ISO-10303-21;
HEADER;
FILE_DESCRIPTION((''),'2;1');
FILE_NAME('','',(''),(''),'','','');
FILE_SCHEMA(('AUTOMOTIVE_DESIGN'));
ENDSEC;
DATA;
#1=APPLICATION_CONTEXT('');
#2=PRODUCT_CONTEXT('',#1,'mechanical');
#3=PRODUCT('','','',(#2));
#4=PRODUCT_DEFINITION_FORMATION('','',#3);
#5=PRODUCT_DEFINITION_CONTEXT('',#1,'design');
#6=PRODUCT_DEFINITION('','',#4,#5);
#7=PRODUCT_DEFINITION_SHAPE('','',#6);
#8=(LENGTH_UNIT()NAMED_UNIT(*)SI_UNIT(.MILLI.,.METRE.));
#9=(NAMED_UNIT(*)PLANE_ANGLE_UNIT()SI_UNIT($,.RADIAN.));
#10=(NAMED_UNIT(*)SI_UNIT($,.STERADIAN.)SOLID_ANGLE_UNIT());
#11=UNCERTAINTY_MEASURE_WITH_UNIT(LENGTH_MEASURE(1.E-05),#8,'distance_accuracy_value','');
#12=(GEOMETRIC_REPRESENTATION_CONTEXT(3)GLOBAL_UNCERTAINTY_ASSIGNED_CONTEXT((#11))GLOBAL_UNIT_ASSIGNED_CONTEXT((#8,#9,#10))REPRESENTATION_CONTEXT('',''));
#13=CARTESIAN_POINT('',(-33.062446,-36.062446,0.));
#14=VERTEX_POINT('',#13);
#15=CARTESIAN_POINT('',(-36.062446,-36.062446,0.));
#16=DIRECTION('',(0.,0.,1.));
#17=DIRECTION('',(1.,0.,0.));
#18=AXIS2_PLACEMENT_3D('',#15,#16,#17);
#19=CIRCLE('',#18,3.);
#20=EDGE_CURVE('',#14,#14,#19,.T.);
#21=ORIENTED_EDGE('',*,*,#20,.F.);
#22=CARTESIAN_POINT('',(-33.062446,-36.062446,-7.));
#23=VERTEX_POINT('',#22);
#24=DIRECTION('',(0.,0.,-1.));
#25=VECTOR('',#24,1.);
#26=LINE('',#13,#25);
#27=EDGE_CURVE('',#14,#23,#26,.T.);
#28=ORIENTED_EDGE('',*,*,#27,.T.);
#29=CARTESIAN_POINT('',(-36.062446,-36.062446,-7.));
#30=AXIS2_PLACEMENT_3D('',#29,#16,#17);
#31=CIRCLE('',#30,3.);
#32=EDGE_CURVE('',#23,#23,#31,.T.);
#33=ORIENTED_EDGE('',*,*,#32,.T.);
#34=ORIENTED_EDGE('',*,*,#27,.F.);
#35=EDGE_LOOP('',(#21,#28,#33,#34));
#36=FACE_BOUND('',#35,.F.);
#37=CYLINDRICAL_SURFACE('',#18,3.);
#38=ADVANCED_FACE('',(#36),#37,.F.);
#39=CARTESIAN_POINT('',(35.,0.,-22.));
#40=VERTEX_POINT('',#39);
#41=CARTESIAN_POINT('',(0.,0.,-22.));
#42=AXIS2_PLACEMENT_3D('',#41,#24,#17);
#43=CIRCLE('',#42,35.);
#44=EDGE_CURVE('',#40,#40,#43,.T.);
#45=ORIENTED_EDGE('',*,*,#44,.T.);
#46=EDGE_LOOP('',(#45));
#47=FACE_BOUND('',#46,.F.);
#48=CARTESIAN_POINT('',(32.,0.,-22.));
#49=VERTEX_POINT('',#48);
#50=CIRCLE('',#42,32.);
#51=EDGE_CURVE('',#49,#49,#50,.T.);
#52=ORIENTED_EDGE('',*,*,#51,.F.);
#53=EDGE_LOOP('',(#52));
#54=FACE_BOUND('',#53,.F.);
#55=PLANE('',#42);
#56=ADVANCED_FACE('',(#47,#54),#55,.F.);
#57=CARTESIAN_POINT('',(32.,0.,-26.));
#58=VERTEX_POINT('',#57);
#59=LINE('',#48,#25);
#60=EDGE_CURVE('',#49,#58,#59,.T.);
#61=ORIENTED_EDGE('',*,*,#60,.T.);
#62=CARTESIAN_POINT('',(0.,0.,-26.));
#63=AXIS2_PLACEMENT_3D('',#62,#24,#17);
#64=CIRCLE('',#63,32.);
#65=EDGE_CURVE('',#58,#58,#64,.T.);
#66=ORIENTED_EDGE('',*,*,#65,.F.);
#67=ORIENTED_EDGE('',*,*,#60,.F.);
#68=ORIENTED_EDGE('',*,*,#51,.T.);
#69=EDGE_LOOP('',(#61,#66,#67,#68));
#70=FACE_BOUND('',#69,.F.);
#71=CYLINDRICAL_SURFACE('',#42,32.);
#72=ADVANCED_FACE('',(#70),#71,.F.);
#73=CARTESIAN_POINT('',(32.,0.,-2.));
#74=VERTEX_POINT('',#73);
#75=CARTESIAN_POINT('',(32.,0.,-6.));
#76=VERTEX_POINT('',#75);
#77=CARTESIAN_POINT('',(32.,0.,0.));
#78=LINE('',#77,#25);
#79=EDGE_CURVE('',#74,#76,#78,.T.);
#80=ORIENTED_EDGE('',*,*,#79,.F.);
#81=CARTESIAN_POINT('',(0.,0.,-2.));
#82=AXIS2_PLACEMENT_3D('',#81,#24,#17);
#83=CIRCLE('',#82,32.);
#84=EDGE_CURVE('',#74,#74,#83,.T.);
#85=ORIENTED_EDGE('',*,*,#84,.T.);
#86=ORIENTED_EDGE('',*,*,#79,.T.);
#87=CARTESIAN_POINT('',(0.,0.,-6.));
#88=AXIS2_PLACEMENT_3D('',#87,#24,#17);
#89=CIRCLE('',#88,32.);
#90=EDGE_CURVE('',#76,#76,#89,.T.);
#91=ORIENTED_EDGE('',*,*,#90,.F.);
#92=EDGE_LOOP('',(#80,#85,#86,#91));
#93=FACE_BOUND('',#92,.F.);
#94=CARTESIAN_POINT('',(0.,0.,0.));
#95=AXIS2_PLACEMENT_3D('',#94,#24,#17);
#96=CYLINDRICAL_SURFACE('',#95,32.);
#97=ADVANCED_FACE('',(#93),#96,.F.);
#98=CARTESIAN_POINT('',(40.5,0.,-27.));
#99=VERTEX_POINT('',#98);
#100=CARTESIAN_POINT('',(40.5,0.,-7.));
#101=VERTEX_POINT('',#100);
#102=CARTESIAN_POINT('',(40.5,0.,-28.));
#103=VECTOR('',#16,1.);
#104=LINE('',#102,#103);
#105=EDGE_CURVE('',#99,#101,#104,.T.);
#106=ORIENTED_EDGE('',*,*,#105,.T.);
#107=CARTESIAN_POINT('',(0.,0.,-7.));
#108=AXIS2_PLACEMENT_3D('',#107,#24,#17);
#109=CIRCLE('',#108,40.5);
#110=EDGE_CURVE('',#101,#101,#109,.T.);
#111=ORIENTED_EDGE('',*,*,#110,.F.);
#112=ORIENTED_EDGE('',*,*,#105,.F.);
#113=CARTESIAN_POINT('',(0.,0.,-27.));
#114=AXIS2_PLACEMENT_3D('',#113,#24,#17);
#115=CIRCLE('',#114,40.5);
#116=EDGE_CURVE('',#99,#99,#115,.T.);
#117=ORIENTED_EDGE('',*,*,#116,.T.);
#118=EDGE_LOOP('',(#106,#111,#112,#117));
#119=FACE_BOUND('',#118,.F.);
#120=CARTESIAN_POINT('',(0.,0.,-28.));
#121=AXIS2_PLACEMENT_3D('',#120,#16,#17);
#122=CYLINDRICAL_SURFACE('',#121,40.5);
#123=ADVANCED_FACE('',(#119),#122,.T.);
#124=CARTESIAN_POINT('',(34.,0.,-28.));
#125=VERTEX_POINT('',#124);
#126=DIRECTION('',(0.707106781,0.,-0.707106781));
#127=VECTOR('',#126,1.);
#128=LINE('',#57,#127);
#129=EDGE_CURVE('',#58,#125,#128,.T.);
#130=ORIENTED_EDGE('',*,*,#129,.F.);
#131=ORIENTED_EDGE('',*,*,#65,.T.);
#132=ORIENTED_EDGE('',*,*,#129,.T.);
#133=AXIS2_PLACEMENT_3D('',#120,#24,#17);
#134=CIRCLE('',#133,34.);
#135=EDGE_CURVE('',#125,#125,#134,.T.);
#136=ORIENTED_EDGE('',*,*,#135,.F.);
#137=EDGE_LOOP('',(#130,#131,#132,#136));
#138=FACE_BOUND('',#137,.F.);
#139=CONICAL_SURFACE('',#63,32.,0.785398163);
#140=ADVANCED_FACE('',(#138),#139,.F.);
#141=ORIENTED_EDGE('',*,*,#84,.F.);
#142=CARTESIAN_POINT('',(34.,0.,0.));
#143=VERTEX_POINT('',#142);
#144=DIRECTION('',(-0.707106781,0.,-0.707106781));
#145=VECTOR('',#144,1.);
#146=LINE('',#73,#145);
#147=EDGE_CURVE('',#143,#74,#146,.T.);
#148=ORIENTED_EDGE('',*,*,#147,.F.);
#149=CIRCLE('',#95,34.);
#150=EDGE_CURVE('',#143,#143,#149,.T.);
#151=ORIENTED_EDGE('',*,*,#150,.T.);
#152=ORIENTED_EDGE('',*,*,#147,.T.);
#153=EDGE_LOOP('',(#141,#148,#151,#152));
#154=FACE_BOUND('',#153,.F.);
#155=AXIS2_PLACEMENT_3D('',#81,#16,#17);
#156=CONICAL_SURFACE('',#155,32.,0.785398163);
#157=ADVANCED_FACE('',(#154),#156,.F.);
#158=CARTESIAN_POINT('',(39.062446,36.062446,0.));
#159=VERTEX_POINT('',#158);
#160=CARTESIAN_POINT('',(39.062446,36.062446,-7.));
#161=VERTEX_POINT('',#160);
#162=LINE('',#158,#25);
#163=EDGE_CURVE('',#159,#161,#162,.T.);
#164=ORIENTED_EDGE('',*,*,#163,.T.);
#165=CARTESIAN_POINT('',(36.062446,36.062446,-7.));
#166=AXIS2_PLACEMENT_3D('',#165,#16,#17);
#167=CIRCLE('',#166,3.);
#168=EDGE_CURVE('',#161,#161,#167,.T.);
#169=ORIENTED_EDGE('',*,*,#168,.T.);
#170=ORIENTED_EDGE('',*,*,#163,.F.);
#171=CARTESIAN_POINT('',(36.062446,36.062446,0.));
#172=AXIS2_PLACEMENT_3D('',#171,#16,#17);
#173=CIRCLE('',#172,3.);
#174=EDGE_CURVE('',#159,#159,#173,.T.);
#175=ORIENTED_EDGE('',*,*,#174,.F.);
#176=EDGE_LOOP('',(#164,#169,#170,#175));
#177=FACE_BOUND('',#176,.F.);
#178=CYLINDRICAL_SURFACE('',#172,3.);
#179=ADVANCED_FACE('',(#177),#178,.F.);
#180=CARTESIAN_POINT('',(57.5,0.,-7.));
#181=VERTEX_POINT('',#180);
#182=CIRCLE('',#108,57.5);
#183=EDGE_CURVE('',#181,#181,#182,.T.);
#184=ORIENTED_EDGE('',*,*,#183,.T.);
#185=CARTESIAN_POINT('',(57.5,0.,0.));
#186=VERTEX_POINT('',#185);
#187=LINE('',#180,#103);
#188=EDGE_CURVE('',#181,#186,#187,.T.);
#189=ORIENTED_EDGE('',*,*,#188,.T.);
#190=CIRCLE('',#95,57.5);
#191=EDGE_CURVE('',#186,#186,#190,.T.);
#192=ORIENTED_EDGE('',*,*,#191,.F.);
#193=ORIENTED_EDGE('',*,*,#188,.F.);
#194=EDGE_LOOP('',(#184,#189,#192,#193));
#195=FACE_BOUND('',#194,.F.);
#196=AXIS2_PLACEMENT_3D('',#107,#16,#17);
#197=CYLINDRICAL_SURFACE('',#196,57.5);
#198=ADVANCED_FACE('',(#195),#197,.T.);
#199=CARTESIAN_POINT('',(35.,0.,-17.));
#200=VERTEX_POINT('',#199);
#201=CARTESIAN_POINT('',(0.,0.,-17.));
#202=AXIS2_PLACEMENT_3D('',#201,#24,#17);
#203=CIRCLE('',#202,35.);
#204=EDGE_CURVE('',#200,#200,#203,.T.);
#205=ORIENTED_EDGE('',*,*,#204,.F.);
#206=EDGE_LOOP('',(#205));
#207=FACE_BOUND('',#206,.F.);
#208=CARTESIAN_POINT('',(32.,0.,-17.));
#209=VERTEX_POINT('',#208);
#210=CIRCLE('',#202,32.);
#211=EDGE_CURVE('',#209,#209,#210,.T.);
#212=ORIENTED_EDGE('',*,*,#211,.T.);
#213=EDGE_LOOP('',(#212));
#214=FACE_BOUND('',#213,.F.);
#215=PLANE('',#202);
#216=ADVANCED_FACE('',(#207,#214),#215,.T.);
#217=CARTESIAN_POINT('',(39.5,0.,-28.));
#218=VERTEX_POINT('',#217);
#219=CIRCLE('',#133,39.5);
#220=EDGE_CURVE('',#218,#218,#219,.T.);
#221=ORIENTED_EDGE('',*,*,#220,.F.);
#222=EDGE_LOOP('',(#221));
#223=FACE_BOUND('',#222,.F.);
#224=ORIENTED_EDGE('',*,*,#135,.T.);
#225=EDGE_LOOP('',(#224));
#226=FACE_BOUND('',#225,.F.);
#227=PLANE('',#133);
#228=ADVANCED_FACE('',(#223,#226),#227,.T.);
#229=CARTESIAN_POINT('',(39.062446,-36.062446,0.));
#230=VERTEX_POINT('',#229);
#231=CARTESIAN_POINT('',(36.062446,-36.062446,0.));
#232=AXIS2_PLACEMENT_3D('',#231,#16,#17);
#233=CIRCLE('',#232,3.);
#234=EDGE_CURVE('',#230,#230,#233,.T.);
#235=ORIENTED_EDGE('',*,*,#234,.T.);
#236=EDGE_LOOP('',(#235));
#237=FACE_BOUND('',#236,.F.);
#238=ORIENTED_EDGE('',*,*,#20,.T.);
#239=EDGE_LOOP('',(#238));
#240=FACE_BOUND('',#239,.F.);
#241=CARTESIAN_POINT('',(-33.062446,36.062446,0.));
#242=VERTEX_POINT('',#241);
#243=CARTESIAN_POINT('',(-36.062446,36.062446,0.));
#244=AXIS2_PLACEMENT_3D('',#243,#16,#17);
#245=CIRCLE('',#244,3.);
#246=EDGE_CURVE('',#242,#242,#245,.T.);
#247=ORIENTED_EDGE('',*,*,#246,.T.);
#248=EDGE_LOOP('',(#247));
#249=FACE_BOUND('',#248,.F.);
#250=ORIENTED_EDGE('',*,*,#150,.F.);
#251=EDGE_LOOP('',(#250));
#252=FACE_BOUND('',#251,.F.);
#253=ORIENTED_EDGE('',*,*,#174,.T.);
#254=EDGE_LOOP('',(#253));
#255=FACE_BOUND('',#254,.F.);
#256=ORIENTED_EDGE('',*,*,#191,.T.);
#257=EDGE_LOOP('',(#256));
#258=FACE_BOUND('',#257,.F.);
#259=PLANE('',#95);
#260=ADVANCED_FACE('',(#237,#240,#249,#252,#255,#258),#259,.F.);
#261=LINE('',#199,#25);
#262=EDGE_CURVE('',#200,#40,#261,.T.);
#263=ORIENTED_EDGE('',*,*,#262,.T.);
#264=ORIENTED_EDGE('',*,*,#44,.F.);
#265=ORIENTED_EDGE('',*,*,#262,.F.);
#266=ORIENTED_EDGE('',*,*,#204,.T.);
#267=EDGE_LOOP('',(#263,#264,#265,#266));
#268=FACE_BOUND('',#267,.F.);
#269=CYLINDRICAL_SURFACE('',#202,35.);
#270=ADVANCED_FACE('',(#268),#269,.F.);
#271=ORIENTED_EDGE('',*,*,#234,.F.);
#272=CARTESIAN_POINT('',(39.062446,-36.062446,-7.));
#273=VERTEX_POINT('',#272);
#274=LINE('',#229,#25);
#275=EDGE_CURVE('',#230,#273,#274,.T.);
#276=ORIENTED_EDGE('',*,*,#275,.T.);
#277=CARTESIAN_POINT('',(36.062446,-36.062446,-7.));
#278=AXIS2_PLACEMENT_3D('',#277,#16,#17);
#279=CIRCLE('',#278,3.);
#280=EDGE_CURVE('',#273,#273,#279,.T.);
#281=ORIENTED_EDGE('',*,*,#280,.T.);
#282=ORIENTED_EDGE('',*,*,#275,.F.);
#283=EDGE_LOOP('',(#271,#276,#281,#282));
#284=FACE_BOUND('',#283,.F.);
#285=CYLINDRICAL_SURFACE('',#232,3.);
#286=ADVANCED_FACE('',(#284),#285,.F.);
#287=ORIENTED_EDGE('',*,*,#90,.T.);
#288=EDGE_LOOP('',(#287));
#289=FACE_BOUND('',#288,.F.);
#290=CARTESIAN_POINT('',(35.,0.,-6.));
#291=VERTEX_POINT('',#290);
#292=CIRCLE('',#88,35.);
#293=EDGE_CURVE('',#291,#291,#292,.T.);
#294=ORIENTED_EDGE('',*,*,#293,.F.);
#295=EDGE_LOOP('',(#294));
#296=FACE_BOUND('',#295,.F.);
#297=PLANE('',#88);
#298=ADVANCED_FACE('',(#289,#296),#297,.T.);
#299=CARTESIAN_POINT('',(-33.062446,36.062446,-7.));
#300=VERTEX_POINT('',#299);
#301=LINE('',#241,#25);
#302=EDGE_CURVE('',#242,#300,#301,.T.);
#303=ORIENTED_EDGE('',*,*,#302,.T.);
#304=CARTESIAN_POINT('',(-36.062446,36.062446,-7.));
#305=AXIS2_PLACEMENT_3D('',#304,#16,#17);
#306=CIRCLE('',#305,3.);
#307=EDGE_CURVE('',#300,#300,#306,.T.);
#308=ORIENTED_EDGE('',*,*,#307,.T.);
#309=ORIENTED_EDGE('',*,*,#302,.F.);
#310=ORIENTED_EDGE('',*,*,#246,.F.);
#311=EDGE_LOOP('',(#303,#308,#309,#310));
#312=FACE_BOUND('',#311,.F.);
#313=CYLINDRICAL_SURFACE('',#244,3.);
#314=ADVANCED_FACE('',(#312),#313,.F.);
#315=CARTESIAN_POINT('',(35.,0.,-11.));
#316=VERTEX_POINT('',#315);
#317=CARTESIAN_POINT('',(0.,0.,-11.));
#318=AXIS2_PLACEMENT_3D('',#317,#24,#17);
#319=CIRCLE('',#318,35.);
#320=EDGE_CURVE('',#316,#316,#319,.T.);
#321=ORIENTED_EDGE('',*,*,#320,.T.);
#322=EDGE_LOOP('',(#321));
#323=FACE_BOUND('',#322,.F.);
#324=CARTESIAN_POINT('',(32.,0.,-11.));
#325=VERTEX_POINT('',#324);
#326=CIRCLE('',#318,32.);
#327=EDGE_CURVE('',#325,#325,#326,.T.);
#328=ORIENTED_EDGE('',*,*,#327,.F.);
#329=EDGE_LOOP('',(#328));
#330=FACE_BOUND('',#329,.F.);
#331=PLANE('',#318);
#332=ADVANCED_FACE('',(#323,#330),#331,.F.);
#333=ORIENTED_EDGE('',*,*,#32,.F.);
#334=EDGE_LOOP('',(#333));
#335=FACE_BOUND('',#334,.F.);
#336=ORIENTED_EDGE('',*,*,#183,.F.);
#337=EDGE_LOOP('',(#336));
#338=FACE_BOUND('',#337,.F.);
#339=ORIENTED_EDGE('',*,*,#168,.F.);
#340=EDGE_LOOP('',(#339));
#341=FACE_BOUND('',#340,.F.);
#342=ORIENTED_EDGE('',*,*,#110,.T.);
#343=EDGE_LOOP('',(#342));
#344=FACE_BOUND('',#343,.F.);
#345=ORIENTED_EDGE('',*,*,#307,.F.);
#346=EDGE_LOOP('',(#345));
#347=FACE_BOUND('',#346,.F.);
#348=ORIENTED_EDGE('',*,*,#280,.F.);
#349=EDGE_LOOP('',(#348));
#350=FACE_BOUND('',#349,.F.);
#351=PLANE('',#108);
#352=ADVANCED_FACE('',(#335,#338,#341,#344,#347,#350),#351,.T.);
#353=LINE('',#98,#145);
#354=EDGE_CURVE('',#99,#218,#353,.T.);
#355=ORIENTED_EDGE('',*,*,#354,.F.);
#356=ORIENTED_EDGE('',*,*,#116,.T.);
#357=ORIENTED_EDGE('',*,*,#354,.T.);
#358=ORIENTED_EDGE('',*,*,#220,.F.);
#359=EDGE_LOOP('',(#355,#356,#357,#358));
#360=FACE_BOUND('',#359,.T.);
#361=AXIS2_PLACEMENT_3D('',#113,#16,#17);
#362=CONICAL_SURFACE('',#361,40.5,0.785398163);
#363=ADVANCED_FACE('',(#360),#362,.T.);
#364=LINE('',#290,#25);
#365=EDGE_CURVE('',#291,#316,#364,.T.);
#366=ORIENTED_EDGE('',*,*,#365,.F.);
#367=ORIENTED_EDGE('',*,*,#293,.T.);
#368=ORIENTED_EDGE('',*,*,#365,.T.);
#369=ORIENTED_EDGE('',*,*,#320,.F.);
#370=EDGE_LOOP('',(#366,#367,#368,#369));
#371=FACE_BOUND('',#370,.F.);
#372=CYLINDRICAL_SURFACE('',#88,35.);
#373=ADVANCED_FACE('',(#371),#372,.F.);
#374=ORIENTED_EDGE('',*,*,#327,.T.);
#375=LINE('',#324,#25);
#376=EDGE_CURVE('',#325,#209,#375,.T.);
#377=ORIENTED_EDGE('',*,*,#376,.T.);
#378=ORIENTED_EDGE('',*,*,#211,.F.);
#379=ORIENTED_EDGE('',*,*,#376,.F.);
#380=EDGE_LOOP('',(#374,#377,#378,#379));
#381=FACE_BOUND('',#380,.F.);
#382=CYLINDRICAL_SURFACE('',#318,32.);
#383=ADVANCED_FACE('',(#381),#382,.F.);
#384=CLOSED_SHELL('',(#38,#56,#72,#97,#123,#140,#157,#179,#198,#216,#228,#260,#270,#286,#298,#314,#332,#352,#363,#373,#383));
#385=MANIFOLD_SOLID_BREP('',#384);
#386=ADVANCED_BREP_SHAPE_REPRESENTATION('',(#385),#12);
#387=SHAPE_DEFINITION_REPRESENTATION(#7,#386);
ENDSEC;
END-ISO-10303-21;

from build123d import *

# Parameters (mm, degrees)
F2_SIZE  = 2
F3_SIZE  = 1
F4_R     = 3
F5_DEPTH = 25


with BuildPart() as f1:
    # F0 (on Front) → F1 (revolve)
    with BuildSketch(Plane.XZ):
        Polygon((57.5, 0), (32, 0), (32, -6), (35, -6), (35, -11), (32, -11), (32, -17), (35, -17), (35, -22), (32, -22), (32, -28), (40.5, -28), (40.5, -7), (57.5, -7), align=None)
    revolve(axis=Axis((0, 0, -4.022711), (0, 0, -1)))

    # F2
    f2_edges = [f1.edges().sort_by_distance(p)[0] for p in [
        (-32, 0, 0),
        (-32, 0, -28),
    ]]
    chamfer(f2_edges, length=F2_SIZE)

    # F3
    f3_edges = [f1.edges().sort_by_distance(p)[0] for p in [
        (-40.5, 0, -28),
    ]]
    chamfer(f3_edges, length=F3_SIZE)

    # F4 (on face) → F5 (cut)
    with BuildSketch(Plane.XY):
        with Locations((-36.062446, 36.062446)):
            Circle(F4_R)
        with Locations((36.062446, 36.062446)):
            Circle(F4_R)
        with Locations((36.062446, -36.062446)):
            Circle(F4_R)
        with Locations((-36.062446, -36.062446)):
            Circle(F4_R)
    extrude(amount=-F5_DEPTH, mode=Mode.SUBTRACT)


solid = f1.part
